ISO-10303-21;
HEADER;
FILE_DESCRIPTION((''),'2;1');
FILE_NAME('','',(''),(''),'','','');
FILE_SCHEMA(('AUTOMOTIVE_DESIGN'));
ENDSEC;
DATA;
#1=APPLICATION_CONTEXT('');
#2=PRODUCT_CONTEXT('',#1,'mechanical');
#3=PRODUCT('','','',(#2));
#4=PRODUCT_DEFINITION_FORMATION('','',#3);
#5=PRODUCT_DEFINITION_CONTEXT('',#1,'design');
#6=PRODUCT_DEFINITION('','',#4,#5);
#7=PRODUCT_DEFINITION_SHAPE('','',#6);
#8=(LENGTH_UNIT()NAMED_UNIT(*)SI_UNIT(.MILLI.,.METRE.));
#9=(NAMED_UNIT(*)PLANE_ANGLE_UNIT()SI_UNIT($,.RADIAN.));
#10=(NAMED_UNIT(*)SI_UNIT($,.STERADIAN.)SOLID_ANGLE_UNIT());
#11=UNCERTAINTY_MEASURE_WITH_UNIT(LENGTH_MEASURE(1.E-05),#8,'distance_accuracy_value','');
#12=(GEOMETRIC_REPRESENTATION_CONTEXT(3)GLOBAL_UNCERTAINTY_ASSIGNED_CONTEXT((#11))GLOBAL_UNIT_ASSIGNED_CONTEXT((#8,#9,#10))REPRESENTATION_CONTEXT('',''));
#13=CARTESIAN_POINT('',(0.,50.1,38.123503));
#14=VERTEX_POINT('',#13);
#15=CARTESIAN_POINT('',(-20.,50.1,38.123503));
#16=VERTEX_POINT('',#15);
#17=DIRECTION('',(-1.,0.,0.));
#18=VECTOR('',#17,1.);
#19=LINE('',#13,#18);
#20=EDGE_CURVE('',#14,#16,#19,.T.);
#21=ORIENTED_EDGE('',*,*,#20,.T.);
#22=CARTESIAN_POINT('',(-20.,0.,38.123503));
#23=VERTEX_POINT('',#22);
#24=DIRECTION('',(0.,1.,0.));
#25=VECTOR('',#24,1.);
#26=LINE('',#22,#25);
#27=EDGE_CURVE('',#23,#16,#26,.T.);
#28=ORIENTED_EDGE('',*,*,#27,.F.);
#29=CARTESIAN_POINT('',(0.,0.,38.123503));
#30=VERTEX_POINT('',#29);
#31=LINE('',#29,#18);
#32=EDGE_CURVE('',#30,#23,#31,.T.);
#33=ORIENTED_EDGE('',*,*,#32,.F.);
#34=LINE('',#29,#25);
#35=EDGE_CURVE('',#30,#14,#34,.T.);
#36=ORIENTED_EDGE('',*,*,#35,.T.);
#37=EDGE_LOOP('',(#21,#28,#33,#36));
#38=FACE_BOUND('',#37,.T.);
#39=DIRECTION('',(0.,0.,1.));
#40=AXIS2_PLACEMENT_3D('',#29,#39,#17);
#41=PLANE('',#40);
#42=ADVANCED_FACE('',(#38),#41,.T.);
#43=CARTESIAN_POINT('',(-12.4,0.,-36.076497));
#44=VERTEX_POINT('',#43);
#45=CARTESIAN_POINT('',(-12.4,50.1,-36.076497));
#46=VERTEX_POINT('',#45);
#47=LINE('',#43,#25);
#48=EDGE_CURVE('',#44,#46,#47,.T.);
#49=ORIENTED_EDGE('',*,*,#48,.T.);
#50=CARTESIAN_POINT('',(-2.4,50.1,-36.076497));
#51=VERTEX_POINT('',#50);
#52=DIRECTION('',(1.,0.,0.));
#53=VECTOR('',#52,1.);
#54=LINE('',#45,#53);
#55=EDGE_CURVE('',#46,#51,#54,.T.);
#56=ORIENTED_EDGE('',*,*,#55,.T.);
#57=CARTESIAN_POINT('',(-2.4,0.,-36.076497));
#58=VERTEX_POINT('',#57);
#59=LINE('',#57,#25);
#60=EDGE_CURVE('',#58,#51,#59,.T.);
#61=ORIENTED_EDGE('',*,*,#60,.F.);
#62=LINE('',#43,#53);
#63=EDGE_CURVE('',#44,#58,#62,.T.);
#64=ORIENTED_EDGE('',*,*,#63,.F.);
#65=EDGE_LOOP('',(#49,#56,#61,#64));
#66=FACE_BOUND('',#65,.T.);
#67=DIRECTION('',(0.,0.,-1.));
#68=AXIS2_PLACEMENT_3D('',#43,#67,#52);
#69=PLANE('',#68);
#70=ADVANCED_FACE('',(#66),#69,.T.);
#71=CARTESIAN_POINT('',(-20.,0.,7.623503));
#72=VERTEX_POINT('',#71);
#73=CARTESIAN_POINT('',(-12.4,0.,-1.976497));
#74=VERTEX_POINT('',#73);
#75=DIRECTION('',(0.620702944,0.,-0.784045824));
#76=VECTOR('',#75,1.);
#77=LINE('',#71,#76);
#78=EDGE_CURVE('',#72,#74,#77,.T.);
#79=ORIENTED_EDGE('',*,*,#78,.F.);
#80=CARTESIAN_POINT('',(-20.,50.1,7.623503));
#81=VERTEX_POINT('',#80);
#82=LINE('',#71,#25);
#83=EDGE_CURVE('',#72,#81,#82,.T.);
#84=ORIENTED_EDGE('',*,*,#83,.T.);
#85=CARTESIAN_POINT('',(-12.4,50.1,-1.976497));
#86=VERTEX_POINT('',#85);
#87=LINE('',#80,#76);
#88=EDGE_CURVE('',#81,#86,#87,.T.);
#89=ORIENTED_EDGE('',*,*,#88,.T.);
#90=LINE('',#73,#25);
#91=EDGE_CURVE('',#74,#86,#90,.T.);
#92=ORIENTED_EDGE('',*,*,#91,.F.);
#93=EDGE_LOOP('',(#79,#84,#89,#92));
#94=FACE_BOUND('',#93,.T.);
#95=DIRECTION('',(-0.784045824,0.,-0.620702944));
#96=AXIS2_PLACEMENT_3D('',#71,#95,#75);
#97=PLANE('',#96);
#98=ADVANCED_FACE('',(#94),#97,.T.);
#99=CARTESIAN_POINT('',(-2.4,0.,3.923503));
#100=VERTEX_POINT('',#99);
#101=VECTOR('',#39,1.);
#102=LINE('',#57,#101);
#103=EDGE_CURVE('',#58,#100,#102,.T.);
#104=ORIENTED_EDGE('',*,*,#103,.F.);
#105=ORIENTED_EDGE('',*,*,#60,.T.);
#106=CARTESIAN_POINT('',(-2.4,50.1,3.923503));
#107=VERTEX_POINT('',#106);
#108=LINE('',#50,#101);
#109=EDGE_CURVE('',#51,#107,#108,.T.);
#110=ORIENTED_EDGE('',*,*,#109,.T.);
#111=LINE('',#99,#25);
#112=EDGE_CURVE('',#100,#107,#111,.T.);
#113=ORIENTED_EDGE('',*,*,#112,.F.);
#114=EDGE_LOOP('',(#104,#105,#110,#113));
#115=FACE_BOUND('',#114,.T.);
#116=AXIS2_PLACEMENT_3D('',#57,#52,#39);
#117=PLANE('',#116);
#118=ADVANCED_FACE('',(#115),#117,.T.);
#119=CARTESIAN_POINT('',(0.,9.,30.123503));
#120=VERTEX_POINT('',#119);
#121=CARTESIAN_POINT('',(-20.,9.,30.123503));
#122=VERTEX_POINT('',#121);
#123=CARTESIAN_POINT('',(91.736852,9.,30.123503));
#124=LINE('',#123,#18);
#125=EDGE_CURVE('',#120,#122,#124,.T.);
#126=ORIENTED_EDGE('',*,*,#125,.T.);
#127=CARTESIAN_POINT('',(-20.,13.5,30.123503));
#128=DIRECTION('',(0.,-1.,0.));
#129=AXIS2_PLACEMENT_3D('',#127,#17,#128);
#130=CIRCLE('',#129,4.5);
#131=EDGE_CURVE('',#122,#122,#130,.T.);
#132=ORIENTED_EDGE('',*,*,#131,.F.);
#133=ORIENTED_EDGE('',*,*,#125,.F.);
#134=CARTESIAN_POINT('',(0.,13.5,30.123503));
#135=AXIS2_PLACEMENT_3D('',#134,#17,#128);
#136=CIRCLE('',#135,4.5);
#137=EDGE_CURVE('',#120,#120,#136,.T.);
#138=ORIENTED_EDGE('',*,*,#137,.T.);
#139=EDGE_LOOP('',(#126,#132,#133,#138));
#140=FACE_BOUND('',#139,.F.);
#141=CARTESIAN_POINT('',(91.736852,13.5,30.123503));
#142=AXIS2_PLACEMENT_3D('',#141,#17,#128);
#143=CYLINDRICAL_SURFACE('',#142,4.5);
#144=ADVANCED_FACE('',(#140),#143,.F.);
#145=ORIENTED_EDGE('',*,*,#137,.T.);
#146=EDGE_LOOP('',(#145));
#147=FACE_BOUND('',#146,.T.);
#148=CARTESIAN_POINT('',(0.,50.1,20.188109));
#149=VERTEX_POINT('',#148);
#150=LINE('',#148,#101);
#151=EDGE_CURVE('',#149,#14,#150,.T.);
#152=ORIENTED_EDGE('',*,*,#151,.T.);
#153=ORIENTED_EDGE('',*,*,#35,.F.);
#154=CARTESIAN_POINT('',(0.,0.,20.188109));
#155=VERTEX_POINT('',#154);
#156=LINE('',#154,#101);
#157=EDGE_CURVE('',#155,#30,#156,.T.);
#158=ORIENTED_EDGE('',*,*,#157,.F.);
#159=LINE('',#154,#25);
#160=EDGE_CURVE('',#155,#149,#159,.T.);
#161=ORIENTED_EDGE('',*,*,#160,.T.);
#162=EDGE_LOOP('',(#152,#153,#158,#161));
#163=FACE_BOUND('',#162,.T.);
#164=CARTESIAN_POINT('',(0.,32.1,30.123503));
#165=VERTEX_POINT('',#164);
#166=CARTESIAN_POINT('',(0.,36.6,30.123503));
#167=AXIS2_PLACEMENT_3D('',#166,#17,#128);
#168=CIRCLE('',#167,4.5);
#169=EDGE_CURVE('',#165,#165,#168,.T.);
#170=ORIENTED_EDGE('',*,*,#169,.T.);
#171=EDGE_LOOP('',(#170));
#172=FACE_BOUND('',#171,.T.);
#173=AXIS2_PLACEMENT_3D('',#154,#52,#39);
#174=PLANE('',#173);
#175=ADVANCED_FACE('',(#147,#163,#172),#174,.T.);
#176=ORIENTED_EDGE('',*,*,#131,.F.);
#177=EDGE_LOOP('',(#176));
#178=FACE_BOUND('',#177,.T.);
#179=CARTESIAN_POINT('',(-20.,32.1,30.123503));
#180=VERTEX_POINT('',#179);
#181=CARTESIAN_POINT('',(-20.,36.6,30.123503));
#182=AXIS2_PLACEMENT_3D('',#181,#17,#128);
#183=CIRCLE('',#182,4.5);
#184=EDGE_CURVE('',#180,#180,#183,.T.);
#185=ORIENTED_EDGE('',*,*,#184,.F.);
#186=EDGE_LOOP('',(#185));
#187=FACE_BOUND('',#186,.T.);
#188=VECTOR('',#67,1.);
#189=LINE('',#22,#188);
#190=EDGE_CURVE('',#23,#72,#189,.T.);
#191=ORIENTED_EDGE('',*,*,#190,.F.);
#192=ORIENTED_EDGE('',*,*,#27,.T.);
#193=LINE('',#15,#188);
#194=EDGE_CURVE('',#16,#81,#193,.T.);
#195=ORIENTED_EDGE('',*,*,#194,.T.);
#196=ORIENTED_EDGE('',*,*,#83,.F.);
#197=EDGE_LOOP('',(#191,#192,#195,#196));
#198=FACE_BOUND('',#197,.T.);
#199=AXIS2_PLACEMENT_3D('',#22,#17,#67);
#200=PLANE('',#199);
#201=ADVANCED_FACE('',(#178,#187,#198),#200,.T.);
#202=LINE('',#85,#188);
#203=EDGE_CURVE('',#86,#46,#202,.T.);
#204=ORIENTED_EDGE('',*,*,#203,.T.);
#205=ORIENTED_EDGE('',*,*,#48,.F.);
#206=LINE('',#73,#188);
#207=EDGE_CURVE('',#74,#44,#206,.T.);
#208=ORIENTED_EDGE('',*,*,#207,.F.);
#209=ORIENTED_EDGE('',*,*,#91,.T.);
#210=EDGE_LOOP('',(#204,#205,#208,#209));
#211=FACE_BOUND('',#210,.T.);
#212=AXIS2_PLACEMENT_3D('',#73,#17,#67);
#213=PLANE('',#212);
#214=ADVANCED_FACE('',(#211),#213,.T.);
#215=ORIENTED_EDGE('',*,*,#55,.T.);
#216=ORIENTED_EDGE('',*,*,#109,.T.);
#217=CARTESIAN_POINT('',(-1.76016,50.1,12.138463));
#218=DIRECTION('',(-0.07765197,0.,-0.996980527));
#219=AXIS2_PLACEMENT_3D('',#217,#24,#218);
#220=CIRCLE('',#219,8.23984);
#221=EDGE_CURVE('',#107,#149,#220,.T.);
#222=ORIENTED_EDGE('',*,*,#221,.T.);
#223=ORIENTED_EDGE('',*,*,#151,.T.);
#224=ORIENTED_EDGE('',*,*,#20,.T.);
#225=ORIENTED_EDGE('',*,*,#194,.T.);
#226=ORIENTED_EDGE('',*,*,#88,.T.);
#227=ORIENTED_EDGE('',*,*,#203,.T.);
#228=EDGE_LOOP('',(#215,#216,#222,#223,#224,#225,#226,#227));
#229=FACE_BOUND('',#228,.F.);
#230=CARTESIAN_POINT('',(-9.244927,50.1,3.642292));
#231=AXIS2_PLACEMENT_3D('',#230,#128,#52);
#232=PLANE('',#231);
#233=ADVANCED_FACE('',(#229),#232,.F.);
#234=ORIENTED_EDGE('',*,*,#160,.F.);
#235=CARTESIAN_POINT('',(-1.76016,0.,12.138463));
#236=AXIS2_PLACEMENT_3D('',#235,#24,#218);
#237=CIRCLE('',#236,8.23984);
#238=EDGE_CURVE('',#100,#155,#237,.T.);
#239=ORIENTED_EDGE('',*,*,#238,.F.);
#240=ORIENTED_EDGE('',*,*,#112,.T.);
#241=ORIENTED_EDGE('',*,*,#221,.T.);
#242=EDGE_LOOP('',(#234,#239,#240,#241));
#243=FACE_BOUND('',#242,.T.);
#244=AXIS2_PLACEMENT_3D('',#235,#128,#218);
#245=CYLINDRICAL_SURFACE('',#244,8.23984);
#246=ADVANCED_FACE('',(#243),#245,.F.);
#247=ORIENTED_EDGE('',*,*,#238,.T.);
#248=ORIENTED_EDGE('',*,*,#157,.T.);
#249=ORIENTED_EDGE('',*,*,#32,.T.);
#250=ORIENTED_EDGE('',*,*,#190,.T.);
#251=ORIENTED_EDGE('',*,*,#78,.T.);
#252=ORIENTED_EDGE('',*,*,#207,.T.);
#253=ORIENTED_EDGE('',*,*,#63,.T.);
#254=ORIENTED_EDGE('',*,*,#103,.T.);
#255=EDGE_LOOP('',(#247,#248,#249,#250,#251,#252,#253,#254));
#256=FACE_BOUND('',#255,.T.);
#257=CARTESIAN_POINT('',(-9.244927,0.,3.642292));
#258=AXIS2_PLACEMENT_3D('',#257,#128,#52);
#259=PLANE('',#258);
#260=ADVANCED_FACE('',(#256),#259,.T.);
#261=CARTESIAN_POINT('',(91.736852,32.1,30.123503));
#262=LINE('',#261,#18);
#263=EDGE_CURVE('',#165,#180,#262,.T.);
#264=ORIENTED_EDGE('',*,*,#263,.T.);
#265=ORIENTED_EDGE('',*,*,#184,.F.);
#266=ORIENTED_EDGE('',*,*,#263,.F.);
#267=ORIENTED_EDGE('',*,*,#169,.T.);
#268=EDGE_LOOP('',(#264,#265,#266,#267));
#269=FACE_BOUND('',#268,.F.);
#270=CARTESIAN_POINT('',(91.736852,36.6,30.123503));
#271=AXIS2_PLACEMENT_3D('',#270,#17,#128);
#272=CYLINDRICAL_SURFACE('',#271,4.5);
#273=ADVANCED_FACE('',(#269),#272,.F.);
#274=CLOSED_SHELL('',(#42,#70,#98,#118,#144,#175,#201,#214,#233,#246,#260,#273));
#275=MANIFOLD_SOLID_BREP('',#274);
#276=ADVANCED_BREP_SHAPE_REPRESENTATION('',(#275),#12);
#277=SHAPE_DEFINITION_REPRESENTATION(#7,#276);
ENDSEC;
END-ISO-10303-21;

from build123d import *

# Parameters (mm, degrees)
F1_DEPTH = 50.1
F3_D     = 9


with BuildPart() as f1:
    # F0 (on Front) → F1 (new body)
    with BuildSketch(Plane.XZ):
        with BuildLine():
            Line((0, 20.1881089388), (0, 38.1235034296))
            Line((0, 38.1235034296), (-20, 38.1235034296))
            Line((-20, 38.1235034296), (-20, 7.6235034296))
            Line((-20, 7.6235034296), (-12.4, -1.9764965704))
            Line((-12.4, -1.9764965704), (-12.4, -36.0764965704))
            Line((-12.4, -36.0764965704), (-2.4, -36.0764965704))
            Line((-2.4, -36.0764965704), (-2.4, 3.9235034296))
            ThreePointArc((-2.4, 3.9235034296), (-9.9117323022, 13.3413066234), (0, 20.1881089388))
        make_face()
    extrude(amount=-F1_DEPTH)

    # F3 (through all)
    with Locations(Plane.YZ):
        with Locations((13.5, 30.1235034296), (36.6, 30.1235034296)):
            Hole(F3_D / 2)


solid = f1.part
